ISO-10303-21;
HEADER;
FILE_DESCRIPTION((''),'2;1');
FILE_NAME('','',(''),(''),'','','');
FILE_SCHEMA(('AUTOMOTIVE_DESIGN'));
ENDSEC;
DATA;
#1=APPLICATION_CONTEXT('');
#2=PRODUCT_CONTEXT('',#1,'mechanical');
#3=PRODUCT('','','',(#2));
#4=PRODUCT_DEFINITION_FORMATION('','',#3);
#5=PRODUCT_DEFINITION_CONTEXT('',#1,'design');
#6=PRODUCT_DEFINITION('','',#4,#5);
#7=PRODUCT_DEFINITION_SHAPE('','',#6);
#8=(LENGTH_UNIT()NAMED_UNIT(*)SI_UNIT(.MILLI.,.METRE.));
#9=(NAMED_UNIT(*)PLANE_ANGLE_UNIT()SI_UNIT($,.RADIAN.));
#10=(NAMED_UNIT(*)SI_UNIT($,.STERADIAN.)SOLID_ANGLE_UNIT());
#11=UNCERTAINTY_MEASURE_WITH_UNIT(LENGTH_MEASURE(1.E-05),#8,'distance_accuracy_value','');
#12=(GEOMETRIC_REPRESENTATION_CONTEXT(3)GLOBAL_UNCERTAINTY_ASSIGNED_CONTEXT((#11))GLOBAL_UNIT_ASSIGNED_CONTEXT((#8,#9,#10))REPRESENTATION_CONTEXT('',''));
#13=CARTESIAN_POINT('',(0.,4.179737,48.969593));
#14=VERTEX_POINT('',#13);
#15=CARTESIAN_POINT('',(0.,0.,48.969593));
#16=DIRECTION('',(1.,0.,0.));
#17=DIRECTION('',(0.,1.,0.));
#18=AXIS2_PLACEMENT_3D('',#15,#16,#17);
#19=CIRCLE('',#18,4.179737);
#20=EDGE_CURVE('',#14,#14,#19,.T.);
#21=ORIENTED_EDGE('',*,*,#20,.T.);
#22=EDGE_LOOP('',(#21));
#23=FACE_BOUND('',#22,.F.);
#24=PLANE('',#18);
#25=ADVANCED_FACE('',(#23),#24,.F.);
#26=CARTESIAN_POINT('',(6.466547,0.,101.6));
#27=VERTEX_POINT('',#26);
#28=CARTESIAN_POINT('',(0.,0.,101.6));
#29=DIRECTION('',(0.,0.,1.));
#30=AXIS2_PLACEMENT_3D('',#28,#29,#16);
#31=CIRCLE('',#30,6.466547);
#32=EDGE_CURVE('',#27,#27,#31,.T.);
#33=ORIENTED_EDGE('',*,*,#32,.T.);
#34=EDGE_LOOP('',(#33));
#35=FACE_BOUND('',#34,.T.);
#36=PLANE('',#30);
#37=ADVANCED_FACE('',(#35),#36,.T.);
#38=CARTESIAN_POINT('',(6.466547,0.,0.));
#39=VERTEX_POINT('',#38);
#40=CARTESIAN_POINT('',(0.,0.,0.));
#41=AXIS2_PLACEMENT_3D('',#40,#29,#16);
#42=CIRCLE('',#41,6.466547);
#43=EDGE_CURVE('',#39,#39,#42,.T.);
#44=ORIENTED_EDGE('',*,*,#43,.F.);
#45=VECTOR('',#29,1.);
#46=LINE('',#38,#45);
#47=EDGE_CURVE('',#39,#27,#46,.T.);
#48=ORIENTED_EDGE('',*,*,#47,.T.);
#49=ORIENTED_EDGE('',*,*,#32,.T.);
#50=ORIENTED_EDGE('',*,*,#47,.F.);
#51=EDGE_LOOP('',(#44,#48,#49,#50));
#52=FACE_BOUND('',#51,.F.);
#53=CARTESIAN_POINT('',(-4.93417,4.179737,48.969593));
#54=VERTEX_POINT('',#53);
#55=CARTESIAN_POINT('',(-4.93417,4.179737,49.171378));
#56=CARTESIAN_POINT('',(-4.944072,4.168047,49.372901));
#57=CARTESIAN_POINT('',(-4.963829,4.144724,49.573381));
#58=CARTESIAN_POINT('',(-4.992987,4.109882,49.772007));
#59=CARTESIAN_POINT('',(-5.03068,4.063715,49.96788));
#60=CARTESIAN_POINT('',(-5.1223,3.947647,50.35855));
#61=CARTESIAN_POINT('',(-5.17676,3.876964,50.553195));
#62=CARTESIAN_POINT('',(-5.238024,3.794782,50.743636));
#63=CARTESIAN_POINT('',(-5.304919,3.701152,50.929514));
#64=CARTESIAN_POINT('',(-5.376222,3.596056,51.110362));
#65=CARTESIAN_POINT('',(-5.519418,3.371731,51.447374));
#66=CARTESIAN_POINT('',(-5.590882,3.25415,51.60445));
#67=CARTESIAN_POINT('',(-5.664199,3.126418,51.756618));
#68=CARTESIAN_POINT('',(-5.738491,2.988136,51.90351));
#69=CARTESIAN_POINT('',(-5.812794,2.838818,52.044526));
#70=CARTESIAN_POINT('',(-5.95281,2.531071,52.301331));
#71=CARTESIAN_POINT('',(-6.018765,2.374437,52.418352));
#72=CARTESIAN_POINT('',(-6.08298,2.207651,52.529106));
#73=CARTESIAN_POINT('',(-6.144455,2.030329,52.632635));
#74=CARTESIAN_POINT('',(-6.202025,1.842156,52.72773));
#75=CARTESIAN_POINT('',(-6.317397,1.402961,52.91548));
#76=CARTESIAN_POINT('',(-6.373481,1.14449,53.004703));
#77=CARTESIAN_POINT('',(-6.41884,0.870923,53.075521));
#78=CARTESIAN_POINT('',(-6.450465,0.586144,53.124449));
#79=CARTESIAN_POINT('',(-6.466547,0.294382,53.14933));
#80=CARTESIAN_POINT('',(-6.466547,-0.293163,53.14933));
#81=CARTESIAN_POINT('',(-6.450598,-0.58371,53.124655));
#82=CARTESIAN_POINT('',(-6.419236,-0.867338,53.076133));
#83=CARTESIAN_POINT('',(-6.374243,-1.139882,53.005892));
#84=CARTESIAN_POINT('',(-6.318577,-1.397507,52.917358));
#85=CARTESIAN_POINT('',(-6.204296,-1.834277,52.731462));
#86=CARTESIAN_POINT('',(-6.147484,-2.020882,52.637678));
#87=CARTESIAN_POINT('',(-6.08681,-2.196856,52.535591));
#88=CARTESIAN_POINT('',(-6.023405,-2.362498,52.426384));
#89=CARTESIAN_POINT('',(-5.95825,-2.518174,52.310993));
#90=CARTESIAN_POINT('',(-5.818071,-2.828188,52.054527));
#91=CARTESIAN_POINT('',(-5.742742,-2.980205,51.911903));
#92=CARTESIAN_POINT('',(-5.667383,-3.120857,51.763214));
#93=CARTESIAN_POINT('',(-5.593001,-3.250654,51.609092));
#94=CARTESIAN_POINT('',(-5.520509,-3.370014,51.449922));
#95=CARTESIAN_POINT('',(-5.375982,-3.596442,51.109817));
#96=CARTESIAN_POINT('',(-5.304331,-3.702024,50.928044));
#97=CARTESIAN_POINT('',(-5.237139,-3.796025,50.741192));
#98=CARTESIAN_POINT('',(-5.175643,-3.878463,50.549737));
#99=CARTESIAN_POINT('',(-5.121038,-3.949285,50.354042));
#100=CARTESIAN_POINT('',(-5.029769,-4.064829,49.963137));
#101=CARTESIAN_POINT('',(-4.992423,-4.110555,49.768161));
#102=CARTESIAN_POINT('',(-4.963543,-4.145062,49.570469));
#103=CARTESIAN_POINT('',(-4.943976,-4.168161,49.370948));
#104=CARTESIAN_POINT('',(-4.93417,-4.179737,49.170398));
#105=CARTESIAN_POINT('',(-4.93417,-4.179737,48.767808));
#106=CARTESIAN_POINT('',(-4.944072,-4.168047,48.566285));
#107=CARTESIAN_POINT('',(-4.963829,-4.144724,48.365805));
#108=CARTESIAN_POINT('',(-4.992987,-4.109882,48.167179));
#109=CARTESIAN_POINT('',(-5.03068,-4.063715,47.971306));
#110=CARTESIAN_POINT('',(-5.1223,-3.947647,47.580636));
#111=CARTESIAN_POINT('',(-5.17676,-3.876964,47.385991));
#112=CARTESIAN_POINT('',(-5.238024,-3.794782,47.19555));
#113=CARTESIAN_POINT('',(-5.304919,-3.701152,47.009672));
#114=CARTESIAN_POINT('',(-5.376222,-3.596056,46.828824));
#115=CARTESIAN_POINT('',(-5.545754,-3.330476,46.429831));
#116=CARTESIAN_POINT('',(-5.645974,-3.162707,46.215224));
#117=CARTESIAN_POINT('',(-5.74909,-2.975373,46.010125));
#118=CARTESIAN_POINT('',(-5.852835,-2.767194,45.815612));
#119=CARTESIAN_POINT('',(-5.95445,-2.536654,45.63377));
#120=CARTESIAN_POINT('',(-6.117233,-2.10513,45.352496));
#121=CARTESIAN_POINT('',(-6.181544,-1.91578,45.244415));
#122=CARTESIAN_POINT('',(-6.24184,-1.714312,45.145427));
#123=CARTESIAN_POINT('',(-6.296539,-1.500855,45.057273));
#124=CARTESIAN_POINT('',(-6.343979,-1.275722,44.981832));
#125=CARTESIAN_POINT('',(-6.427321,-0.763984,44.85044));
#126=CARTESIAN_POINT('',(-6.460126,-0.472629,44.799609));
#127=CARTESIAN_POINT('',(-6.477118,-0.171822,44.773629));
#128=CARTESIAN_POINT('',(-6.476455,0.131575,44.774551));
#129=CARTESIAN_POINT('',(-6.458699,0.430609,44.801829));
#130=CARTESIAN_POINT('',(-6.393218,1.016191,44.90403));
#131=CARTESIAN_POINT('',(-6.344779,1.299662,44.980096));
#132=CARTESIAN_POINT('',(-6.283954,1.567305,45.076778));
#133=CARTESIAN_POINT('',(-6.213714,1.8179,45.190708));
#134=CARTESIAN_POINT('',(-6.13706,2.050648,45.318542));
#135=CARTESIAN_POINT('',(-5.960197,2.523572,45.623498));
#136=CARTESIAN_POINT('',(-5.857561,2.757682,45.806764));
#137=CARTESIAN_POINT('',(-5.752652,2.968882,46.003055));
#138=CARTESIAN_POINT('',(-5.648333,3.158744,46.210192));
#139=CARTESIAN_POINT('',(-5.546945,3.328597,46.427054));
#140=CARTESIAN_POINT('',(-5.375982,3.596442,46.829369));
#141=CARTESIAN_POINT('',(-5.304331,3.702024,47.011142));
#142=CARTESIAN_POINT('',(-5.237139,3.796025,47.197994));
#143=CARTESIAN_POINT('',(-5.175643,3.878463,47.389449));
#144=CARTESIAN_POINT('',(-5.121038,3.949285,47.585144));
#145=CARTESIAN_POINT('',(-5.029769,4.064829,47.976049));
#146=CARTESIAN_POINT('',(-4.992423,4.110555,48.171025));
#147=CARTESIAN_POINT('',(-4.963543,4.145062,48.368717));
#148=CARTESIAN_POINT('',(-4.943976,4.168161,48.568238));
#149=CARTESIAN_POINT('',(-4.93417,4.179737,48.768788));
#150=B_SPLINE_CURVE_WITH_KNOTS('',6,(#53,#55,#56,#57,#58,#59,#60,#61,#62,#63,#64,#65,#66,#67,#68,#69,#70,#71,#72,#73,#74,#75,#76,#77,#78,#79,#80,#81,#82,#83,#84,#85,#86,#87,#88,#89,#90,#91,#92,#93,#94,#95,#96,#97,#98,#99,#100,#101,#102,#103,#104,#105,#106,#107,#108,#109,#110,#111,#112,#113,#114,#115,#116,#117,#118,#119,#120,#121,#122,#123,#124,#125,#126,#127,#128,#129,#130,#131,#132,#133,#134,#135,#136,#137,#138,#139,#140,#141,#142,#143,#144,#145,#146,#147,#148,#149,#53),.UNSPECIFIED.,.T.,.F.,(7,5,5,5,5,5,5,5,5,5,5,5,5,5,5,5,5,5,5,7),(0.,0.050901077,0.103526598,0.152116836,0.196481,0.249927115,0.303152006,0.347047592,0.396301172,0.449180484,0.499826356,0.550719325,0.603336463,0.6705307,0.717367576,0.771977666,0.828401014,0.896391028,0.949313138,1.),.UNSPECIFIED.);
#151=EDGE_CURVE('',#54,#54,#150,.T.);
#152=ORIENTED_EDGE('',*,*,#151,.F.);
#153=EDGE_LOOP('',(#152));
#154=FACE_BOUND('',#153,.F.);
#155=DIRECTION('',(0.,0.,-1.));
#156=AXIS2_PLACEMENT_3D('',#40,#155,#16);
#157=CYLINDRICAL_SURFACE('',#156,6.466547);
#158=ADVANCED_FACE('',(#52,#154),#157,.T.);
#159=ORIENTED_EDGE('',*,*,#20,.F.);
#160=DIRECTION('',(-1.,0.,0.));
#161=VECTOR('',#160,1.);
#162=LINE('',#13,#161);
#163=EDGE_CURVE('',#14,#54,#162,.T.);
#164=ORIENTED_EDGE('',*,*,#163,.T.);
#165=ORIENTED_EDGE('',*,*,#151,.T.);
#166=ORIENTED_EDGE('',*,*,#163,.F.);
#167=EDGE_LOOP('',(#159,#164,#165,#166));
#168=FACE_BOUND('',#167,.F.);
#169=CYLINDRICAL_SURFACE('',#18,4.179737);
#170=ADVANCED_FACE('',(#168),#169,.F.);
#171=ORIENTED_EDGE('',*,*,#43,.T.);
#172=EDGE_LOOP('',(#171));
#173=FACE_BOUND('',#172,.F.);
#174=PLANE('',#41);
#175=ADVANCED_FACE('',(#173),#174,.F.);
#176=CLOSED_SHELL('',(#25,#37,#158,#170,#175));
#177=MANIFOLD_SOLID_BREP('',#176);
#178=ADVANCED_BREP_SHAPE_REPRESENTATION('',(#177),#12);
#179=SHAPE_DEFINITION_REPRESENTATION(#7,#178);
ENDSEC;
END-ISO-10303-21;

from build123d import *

# Parameters (mm, degrees)
F0_R     = 6.466547
F1_DEPTH = 101.6
F2_R     = 4.179737
F3_DEPTH = 50.8


with BuildPart() as f1:
    # F0 (on Top) → F1 (new body)
    with BuildSketch(Plane.XY):
        Circle(F0_R)
    extrude(amount=F1_DEPTH)

    # F2 (on Right) → F3 (cut)
    with BuildSketch(Plane.YZ):
        with Locations((0, 48.969593)):
            Circle(F2_R)
    extrude(amount=-F3_DEPTH, mode=Mode.SUBTRACT)


solid = f1.part
